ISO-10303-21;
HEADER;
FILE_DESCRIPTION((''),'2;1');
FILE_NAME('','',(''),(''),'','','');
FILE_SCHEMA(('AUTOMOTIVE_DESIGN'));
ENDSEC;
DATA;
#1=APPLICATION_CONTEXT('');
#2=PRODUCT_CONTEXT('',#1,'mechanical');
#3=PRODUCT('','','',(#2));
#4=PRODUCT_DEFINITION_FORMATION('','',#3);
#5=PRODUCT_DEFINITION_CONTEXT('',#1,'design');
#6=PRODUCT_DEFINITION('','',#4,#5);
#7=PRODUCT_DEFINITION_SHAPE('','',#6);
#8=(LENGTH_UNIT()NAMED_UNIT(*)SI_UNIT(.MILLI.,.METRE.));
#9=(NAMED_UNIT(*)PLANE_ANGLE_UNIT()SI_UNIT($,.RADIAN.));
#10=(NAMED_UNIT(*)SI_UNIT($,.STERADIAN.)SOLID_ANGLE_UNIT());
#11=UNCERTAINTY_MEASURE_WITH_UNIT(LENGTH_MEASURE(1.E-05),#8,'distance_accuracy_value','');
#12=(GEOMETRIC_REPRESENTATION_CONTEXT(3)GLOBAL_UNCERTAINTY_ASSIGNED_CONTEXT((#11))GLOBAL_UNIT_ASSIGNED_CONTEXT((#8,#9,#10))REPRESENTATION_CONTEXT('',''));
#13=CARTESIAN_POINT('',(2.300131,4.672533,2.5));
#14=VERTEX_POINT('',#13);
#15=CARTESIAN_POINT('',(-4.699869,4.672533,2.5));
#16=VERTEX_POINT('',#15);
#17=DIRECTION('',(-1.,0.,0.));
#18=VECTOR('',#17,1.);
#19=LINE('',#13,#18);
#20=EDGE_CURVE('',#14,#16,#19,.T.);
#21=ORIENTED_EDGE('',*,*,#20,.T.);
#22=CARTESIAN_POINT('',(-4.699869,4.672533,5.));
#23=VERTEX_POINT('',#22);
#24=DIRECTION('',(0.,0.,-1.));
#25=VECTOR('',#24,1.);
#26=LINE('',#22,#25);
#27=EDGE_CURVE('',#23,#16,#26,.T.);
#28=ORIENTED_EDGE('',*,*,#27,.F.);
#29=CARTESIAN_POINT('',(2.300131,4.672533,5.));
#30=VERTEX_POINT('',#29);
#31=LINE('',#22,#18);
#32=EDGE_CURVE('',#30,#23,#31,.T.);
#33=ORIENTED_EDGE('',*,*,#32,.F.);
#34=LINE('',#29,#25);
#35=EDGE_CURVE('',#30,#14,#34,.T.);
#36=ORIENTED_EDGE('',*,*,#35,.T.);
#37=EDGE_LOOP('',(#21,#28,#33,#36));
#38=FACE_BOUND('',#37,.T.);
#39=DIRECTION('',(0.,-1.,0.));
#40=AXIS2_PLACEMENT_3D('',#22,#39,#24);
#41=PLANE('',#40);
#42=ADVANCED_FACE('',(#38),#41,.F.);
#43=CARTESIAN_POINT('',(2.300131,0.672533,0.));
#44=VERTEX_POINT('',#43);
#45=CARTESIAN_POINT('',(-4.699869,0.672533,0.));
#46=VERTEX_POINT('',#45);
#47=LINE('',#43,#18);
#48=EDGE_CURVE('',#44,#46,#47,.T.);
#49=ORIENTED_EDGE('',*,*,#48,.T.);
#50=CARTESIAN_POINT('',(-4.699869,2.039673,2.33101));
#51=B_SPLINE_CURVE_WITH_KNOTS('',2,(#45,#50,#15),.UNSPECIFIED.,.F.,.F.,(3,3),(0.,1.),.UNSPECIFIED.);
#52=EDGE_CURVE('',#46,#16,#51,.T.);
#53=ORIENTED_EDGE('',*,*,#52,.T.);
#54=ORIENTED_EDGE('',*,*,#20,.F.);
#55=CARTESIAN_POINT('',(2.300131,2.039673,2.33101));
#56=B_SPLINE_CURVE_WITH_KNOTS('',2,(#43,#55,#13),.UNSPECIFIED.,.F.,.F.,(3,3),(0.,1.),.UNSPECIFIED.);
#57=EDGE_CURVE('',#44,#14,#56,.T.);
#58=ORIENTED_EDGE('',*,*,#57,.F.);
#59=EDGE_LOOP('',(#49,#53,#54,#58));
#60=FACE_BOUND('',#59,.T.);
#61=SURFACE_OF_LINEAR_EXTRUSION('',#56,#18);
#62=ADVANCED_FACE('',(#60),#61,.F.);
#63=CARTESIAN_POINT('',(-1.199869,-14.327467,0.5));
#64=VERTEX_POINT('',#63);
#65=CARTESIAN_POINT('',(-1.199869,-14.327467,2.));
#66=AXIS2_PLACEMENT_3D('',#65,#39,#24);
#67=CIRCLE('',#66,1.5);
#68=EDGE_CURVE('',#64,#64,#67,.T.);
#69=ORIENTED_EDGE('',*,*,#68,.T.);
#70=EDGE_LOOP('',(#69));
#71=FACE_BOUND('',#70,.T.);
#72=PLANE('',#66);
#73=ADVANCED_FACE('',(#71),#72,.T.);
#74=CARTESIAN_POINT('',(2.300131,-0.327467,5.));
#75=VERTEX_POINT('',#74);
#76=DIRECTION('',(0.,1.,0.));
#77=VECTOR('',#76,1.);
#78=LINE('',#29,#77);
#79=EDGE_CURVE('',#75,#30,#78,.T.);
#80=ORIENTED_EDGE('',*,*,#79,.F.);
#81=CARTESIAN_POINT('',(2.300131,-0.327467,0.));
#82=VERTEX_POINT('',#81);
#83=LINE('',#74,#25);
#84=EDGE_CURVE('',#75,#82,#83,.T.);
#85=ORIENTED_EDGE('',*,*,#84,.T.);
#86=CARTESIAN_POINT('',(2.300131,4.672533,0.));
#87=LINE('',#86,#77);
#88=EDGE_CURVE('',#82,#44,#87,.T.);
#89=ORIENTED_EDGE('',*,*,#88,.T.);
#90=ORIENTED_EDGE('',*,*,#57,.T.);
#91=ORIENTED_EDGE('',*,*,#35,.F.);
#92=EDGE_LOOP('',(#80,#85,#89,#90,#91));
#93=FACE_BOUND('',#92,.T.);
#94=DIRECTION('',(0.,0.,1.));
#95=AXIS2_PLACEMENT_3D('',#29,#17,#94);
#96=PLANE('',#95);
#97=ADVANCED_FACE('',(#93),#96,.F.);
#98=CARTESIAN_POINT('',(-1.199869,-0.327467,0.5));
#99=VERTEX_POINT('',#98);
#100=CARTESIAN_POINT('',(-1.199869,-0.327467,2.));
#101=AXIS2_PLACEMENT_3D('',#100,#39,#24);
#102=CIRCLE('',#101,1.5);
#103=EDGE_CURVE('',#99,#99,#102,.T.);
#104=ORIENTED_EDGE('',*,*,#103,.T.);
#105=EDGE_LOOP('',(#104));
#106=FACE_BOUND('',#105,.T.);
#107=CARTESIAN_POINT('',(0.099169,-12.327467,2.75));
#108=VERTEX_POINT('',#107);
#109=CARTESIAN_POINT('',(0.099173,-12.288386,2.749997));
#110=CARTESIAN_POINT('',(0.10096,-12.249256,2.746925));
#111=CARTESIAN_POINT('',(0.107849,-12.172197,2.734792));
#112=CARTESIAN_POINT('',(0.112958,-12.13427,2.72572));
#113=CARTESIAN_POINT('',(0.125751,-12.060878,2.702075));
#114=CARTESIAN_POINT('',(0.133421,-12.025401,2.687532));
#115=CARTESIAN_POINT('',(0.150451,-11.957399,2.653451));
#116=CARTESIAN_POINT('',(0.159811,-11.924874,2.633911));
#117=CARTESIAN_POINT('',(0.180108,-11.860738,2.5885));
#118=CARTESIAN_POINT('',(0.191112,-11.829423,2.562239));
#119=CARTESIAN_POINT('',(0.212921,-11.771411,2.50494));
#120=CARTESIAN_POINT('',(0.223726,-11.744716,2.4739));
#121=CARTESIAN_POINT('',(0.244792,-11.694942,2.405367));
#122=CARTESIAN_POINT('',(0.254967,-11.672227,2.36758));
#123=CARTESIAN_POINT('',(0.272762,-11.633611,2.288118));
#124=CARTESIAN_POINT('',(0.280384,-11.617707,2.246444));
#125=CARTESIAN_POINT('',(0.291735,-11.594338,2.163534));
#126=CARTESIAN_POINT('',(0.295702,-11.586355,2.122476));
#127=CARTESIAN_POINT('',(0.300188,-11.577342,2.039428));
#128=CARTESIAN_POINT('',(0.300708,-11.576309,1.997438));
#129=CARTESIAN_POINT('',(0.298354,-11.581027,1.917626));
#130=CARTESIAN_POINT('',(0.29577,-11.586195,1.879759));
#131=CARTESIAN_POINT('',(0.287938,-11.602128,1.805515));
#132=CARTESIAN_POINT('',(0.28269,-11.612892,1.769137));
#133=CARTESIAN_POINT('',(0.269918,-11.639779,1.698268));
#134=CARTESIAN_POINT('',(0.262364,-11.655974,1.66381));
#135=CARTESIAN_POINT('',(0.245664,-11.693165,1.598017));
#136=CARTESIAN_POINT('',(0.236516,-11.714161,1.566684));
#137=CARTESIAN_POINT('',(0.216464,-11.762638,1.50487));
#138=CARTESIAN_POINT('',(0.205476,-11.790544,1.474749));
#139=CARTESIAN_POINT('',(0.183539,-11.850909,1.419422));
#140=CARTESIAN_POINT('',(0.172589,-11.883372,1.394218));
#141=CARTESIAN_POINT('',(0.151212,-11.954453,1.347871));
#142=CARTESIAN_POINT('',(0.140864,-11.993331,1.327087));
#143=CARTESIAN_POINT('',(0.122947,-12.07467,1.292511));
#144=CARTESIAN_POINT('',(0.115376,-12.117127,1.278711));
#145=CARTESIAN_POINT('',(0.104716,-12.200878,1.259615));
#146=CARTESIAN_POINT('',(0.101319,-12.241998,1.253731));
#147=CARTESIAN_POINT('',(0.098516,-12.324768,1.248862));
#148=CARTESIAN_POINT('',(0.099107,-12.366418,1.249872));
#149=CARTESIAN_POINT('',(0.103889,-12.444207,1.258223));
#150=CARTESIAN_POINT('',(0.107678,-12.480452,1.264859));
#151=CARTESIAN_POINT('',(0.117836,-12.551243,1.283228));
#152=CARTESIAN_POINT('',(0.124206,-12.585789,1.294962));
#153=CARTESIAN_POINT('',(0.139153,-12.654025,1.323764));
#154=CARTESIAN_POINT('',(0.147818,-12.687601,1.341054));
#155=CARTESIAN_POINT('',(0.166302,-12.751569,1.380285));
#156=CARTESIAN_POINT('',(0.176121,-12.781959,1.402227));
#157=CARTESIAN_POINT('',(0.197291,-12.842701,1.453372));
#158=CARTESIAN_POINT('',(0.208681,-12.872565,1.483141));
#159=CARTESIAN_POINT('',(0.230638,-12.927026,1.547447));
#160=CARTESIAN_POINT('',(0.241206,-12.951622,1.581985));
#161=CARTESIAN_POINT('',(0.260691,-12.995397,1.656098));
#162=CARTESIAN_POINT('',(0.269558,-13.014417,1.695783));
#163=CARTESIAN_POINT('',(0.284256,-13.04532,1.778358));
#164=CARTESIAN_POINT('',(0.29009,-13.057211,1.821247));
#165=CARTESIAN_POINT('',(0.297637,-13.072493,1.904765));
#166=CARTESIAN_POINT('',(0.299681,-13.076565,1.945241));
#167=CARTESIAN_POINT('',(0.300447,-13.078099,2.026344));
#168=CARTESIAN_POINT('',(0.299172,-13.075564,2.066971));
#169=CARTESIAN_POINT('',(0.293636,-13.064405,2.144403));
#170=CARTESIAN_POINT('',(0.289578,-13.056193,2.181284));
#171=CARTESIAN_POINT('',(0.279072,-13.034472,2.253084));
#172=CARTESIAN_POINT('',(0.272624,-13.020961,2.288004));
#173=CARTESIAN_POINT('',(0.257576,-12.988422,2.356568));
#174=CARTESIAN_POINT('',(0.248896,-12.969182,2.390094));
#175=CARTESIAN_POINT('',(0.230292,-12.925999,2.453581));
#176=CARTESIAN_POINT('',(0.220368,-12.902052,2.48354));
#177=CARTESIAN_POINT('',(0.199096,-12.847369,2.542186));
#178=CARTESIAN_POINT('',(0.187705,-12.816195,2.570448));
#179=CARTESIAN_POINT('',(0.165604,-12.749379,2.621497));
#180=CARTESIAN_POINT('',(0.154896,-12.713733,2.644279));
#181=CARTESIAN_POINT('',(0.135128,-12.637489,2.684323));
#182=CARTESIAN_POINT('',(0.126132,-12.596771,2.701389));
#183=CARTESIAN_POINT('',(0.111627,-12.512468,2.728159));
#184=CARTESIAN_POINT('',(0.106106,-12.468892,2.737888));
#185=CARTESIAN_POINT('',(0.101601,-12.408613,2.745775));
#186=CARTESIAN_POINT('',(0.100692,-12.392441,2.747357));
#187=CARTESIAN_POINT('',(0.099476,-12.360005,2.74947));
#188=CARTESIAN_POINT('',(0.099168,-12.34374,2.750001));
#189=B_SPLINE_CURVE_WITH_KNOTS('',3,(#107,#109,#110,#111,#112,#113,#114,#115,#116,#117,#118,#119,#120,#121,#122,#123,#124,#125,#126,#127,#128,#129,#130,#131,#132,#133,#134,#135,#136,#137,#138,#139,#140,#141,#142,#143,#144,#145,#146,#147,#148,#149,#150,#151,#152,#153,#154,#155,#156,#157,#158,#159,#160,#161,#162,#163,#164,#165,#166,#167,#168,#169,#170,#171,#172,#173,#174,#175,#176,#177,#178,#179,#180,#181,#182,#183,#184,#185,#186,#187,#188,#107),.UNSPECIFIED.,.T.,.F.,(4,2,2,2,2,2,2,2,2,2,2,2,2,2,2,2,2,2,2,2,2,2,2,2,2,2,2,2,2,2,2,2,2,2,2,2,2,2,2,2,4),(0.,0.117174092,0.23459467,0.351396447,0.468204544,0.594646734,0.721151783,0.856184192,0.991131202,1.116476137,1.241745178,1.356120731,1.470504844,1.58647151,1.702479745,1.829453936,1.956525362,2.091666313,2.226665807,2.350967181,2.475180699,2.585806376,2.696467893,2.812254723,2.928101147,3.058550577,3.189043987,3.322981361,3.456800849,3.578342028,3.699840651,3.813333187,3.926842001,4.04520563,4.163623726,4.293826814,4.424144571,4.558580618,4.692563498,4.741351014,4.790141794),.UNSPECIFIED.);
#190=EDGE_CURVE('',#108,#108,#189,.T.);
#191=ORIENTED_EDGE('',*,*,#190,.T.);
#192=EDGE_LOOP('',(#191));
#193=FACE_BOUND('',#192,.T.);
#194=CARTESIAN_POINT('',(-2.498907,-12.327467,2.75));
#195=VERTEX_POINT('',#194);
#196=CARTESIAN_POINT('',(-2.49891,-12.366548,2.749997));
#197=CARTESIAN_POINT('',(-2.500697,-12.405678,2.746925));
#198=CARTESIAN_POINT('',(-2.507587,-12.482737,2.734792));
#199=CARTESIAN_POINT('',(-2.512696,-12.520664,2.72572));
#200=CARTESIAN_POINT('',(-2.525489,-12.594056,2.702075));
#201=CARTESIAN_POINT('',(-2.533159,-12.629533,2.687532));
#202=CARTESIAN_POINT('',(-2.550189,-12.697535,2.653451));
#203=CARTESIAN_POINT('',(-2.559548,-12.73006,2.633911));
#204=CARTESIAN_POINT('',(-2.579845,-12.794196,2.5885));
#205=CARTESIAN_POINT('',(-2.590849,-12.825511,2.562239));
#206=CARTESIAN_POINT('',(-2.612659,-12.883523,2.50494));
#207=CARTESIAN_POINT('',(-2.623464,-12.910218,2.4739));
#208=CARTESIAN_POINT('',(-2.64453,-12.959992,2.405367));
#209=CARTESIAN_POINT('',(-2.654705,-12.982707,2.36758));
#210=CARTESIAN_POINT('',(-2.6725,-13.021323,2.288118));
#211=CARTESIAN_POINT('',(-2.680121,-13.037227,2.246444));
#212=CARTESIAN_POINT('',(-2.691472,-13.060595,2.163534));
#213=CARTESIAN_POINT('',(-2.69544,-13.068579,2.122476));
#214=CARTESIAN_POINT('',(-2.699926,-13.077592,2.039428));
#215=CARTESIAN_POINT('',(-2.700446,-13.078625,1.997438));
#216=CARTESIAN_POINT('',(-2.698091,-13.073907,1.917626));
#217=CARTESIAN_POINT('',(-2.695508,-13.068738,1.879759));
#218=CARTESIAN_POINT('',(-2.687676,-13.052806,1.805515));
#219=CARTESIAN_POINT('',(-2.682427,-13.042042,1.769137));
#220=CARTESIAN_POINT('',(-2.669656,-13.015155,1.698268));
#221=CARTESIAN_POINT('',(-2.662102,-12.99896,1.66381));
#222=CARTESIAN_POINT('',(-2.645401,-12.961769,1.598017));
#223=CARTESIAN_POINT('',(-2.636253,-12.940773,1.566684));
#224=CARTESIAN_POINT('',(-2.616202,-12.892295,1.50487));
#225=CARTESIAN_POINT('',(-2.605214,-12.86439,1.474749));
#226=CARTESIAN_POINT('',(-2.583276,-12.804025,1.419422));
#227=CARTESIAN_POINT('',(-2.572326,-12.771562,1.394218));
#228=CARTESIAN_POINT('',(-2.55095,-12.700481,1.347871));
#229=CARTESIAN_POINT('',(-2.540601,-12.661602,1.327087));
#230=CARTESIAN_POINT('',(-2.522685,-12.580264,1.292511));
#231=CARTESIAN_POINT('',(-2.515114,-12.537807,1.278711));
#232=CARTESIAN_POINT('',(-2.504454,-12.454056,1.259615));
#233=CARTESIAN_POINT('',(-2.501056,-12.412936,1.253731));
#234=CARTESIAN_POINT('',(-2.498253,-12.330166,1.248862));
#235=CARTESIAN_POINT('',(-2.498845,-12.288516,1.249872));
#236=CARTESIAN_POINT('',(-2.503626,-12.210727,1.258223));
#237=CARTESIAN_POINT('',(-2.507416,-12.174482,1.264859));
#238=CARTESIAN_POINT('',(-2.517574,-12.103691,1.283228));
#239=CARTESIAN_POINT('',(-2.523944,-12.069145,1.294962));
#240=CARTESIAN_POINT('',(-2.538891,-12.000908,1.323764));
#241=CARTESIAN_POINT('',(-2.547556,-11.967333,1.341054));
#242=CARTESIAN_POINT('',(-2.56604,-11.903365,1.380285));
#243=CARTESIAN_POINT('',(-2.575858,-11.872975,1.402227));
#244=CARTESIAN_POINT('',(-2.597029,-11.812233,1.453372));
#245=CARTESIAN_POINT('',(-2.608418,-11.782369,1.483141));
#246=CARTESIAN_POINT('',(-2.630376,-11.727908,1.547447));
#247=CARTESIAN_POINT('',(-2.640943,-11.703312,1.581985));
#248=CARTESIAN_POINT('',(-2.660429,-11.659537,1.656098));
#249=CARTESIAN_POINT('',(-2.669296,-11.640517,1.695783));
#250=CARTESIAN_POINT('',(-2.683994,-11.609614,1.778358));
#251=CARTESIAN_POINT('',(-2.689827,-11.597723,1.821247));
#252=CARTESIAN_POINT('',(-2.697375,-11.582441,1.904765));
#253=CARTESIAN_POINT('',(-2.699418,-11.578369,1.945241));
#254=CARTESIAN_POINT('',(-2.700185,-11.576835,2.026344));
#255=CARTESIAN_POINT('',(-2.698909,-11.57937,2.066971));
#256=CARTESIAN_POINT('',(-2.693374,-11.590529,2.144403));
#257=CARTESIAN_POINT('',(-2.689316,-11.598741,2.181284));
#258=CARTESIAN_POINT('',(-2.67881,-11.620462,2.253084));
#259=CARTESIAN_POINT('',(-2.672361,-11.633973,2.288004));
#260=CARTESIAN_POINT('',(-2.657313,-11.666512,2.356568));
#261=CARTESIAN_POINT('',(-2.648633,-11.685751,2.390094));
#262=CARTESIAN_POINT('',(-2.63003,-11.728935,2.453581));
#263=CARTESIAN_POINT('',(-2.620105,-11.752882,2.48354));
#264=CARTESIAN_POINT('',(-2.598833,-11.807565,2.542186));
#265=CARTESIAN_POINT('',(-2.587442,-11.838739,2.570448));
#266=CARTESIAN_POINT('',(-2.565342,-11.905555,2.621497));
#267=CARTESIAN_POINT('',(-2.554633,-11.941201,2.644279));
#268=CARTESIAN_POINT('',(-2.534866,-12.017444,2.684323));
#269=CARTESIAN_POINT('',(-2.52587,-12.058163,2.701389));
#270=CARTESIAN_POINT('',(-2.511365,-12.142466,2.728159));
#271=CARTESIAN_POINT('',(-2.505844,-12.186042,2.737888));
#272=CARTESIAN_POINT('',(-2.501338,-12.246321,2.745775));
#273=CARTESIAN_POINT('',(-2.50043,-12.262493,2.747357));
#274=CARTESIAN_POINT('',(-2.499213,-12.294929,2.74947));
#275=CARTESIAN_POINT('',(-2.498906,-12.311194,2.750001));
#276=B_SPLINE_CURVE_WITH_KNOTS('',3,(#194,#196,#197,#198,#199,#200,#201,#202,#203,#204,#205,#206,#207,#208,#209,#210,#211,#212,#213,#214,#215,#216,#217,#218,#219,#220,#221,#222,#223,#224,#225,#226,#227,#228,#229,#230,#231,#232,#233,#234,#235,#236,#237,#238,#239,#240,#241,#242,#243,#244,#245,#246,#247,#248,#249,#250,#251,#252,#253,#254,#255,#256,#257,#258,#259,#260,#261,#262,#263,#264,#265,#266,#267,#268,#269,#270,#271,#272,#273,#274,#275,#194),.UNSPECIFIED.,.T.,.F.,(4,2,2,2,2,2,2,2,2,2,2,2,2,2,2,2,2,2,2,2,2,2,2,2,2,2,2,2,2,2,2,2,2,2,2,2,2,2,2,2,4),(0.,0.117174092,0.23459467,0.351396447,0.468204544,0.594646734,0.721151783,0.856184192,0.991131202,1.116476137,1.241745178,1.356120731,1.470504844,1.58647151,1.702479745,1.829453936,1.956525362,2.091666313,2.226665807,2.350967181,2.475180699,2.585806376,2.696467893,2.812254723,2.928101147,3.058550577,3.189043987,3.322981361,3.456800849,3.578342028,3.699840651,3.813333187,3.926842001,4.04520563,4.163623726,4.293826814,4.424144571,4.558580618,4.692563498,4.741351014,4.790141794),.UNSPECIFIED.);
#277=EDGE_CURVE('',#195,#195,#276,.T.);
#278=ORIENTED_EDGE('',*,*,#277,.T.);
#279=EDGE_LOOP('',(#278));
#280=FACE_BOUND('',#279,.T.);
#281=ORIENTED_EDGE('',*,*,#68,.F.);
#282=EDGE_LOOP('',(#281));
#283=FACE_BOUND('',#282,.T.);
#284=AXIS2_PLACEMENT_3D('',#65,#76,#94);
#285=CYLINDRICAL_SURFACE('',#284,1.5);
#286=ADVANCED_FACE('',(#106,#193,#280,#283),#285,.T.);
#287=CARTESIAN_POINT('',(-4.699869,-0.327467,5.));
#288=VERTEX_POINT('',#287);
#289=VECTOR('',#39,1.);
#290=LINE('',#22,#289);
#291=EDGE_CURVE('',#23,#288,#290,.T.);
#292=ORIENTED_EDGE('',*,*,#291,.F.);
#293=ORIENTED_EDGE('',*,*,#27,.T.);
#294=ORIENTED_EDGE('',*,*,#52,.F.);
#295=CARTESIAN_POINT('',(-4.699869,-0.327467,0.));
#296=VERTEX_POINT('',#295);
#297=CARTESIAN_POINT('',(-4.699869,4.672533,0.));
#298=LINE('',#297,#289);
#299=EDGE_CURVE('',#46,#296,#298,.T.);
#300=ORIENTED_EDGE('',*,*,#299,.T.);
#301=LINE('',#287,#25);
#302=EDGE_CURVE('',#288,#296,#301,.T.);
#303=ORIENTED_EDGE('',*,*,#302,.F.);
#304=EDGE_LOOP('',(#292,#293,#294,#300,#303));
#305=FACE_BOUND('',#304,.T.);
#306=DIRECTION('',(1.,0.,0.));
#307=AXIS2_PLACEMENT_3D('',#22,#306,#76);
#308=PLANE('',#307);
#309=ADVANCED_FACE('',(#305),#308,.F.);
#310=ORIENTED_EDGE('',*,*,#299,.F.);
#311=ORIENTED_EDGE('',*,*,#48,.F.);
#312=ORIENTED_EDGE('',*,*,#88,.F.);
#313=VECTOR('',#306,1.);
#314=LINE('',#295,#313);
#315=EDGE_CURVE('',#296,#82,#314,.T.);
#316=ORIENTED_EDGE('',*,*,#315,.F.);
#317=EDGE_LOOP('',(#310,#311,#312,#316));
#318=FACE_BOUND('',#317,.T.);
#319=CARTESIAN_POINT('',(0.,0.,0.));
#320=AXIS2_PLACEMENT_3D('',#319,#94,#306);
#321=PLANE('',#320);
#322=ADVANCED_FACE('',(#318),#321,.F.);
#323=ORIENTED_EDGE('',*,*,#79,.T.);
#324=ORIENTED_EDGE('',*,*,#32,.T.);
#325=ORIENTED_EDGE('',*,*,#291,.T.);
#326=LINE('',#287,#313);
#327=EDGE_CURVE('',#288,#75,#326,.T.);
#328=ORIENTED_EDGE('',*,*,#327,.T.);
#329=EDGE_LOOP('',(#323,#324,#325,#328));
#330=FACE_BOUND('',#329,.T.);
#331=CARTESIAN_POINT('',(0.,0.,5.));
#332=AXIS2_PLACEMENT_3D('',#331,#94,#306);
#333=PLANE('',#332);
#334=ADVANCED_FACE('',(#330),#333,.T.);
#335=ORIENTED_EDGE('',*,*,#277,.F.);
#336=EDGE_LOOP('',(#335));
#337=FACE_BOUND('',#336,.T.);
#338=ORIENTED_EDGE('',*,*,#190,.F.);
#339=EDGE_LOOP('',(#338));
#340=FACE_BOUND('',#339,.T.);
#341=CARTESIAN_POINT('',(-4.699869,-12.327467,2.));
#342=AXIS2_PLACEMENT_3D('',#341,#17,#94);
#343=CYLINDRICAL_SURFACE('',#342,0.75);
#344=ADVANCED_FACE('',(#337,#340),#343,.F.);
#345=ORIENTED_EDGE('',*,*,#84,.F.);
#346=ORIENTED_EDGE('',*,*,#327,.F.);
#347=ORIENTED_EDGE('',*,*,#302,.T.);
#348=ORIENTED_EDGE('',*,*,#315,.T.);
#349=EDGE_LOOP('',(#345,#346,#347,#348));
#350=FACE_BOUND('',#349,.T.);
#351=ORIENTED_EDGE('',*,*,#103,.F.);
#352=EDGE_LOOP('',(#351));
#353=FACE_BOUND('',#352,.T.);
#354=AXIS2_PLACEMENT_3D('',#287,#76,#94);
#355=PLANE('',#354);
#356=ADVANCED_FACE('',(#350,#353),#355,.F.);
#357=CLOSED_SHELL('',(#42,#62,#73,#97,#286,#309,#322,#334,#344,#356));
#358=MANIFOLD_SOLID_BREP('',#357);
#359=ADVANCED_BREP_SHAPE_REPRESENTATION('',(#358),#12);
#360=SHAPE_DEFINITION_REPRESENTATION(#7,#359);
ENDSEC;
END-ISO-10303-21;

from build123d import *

# Parameters (mm, degrees)
SKETCH1_W             = 7
SKETCH1_H             = 5
BOSS_EXTRUDE1_DEPTH   = 5
CUT_EXTRUDE1_DEPTH    = 7
SKETCH4_R             = 1.5
BOSS_EXTRUDE3_DEPTH   = 14
F_1_5MM_DOWEL_HOLE2_D = 1.5


with BuildPart() as part:
    # Sketch1 → Boss-Extrude1 (new body)
    with BuildSketch(Plane.XY):
        with Locations((-1.19986884, 2.172533045)):
            Rectangle(SKETCH1_W, SKETCH1_H)
    extrude(amount=BOSS_EXTRUDE1_DEPTH)

    # Sketch2 → Cut-Extrude1 (cut)
    with BuildSketch(Plane.ZY.offset(4.69986884)):
        with BuildLine():
            Line((2.5, 4.672533045), (0, 4.672533045))
            Line((0, 4.672533045), (0, 0.672533045))
            add(Edge.make_bspline(
                [(0, 0.672533045), (2.331009943, 2.039673482), (2.5, 4.672533045)],
                knots=[0, 0, 0, 1, 1, 1], degree=2))
        make_face()
    extrude(amount=-CUT_EXTRUDE1_DEPTH, mode=Mode.SUBTRACT)

    # Sketch4 → Boss-Extrude3 (add)
    with BuildSketch(Plane.XZ.offset(0.327466955)):
        with Locations((-1.19986884, 2)):
            Circle(SKETCH4_R)
    extrude(amount=BOSS_EXTRUDE3_DEPTH)

    # Ø1.5mm Dowel Hole2 (through all)
    with Locations(Plane.ZY.offset(4.69986884)):
        with Locations((2, -12.327466955)):
            Hole(F_1_5MM_DOWEL_HOLE2_D / 2)


solid = part.part
